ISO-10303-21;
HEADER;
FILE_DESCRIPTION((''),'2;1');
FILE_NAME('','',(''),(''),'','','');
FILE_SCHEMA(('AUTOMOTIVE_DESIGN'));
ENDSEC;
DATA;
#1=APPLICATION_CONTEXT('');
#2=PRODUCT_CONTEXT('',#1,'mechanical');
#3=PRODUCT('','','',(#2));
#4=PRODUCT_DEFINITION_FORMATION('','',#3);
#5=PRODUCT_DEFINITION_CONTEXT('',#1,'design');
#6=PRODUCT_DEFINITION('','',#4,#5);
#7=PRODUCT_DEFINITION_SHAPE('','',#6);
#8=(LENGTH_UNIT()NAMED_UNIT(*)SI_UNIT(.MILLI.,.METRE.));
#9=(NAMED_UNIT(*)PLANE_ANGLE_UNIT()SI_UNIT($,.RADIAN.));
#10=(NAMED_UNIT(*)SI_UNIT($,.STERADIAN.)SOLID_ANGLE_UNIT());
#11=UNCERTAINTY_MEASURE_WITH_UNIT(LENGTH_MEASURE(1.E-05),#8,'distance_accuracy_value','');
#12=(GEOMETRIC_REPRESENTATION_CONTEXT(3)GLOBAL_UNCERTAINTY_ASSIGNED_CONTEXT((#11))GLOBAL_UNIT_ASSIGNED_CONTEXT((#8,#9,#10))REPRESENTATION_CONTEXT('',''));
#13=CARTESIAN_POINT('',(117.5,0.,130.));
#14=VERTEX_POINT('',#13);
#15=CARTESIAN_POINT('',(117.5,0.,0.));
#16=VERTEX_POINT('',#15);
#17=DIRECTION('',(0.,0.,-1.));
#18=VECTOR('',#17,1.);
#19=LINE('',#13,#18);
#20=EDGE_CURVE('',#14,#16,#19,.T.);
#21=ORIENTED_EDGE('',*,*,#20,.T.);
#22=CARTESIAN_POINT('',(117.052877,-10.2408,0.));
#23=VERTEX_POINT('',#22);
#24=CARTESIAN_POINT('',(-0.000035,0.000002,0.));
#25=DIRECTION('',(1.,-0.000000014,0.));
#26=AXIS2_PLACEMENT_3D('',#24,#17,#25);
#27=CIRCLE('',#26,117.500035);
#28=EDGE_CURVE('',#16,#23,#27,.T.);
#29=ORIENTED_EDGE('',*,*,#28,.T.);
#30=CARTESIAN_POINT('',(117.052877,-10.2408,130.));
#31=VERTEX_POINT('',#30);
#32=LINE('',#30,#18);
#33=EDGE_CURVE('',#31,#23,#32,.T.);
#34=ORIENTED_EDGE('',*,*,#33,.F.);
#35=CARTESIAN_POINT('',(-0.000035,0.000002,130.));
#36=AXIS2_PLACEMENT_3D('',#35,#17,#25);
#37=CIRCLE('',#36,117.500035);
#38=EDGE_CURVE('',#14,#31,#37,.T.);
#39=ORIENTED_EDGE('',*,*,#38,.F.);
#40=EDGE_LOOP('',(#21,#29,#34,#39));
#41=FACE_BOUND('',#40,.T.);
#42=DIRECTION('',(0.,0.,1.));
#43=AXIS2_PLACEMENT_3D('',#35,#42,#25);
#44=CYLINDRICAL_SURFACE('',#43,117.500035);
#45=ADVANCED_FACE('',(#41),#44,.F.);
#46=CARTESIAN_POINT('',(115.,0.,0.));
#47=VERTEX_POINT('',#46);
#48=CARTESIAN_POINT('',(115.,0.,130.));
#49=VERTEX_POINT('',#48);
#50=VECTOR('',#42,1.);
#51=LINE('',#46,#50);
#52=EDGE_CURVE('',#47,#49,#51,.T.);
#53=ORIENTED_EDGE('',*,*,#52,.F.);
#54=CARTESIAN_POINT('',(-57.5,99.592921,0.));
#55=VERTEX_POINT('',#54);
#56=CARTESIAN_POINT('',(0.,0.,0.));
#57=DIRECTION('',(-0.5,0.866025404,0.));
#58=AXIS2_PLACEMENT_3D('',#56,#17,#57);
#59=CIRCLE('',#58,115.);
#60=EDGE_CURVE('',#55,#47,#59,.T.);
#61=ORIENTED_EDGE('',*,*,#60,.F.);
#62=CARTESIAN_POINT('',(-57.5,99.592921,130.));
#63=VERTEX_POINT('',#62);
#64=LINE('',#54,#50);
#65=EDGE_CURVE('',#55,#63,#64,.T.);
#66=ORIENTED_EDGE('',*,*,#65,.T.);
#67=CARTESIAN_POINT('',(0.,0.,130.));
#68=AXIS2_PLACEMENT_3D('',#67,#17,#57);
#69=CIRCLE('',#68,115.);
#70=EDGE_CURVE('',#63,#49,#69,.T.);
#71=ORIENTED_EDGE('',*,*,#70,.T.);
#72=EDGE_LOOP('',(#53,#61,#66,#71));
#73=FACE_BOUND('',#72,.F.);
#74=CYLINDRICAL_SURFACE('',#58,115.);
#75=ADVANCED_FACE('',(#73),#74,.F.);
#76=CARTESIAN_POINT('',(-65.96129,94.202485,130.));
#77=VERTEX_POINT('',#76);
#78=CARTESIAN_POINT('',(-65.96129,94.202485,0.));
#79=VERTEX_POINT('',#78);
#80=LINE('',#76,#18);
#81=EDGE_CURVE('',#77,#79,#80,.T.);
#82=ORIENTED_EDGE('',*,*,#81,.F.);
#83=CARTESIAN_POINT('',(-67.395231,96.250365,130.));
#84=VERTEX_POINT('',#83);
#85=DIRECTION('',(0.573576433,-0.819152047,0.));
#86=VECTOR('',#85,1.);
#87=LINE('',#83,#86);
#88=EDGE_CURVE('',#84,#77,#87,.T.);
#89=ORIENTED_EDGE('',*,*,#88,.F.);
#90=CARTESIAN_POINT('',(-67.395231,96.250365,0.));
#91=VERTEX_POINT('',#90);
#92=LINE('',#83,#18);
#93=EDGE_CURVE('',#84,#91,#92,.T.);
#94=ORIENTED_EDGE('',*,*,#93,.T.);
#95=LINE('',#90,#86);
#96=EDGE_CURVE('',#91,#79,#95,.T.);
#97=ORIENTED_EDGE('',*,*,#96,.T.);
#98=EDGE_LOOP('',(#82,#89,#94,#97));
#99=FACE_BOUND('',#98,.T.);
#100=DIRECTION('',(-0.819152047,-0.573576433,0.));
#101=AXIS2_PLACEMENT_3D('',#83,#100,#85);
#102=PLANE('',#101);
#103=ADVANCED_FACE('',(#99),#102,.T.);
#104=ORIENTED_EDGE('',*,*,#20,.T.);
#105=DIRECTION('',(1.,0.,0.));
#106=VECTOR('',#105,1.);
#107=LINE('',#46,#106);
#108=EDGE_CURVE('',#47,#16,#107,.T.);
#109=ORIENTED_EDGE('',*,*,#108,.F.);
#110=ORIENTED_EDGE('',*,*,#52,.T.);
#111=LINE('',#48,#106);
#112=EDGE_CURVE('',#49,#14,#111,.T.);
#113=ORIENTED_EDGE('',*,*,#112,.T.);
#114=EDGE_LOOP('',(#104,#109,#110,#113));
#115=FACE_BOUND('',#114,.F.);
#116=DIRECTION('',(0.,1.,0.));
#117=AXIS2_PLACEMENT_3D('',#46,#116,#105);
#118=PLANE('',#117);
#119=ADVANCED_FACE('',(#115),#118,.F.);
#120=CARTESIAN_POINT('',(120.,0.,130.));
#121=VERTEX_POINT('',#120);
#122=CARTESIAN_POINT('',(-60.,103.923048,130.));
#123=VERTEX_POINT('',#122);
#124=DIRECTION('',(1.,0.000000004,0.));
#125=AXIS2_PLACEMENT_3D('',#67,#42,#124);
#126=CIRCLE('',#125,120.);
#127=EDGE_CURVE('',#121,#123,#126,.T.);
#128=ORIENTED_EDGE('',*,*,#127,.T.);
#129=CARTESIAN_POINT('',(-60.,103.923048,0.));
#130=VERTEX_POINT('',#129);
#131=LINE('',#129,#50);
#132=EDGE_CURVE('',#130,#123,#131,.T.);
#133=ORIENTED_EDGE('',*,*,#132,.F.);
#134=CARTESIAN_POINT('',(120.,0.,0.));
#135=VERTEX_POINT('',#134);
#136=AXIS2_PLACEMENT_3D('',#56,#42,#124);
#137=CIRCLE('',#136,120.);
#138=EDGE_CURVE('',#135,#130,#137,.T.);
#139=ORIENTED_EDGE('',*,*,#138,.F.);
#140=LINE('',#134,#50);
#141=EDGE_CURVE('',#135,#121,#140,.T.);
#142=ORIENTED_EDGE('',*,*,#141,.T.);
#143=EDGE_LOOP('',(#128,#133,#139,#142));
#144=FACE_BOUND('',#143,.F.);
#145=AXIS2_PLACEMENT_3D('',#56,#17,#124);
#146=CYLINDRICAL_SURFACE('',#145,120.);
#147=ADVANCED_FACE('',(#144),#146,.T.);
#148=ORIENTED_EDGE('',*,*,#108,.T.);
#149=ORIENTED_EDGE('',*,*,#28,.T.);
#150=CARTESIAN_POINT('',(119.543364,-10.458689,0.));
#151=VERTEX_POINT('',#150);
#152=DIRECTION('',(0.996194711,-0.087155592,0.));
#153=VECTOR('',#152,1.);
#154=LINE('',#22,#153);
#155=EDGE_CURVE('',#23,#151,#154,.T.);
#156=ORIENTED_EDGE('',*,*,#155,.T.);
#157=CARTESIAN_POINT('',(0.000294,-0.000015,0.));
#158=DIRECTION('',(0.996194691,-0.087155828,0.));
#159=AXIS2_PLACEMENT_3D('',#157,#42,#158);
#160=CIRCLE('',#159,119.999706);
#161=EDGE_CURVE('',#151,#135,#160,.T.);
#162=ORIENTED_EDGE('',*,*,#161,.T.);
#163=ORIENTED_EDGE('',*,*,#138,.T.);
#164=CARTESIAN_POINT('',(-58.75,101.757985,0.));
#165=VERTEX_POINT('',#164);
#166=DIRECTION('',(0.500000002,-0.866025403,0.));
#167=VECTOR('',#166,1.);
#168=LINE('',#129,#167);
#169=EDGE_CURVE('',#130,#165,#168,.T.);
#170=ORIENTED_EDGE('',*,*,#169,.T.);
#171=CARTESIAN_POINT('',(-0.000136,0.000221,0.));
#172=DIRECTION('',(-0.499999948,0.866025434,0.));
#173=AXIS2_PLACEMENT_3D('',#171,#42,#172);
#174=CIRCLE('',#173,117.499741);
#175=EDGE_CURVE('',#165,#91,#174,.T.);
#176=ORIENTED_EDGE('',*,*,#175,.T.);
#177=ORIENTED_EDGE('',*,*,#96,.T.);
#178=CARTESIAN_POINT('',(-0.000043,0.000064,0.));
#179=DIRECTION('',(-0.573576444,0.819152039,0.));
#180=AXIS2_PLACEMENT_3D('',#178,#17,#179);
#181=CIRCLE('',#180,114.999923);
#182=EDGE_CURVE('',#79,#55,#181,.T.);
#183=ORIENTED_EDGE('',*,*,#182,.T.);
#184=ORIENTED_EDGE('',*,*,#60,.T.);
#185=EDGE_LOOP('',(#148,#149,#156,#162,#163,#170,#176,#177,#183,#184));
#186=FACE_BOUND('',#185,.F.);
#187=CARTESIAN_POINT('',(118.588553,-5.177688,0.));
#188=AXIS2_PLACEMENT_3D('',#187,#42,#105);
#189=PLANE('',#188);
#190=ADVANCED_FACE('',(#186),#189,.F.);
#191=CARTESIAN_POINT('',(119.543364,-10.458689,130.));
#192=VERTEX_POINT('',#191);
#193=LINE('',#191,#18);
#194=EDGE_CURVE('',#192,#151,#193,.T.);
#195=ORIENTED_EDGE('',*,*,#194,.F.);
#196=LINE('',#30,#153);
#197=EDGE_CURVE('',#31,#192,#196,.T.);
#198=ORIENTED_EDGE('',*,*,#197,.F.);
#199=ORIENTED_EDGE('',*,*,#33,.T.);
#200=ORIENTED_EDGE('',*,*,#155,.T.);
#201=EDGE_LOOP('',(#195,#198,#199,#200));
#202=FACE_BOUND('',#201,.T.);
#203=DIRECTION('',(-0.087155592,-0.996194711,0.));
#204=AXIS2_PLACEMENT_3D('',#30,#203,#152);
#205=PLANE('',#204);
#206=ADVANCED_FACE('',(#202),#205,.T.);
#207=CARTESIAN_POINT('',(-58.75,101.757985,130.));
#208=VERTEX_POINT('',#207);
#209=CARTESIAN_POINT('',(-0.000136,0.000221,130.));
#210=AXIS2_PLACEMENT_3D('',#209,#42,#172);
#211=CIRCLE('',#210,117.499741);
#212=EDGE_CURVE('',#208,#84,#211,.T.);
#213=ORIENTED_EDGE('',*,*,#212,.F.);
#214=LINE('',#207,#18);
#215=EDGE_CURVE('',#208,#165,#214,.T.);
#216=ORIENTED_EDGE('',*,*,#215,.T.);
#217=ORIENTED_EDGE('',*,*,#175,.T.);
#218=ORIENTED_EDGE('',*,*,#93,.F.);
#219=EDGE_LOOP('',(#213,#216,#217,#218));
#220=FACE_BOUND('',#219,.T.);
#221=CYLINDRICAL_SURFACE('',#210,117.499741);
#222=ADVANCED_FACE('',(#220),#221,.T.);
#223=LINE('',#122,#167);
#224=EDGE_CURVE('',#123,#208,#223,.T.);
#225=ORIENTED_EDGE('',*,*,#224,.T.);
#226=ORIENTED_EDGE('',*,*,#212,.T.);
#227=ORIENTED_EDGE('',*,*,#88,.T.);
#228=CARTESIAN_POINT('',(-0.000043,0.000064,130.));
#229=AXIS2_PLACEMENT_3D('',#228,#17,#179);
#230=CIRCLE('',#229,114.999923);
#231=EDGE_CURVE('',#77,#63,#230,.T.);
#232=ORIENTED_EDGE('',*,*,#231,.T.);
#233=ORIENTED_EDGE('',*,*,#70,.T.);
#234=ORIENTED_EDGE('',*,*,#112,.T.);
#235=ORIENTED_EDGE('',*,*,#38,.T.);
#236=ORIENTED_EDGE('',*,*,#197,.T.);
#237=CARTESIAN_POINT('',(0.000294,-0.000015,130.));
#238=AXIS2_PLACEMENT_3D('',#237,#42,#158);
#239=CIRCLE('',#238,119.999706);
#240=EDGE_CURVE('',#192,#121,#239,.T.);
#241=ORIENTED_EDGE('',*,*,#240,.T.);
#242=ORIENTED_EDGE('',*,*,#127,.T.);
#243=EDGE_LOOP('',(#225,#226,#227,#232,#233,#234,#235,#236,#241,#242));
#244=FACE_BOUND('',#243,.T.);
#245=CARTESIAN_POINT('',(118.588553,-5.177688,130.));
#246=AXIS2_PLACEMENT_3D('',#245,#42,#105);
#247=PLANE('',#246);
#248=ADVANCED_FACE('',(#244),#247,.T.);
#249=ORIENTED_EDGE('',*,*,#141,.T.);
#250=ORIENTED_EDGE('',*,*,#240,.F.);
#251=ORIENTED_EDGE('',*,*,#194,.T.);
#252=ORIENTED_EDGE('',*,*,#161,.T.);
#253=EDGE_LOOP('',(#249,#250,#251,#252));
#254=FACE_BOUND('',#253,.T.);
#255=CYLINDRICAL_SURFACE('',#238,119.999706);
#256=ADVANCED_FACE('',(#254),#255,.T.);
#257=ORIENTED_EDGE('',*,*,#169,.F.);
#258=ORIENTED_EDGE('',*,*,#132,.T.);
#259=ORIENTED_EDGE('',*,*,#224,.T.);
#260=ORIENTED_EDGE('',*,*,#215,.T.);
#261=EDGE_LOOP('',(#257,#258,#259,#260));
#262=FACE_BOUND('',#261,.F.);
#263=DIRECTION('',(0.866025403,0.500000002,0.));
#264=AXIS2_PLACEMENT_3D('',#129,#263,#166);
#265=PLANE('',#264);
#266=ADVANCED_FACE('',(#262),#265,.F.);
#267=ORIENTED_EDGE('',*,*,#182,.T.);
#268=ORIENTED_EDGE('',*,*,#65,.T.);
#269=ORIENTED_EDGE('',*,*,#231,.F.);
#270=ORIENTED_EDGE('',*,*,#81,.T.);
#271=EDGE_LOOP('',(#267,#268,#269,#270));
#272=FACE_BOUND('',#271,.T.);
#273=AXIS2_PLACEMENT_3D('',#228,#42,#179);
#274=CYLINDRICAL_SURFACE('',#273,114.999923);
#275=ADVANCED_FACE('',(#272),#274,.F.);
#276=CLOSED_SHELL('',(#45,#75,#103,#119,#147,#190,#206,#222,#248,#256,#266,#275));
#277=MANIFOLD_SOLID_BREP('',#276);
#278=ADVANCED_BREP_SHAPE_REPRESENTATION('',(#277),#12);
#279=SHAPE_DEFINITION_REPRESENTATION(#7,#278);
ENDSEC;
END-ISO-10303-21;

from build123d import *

# Parameters (mm, degrees)
F1_DEPTH = 130
F3_DEPTH = 130


with BuildPart() as f1:
    # F0 (on Top) → F1 (new body)
    with BuildSketch(Plane.XY):
        with BuildLine():
            ThreePointArc((-57.5, 99.592921), (57.5, 99.592921), (115, 0))
            Line((115, 0), (120, 0))
            ThreePointArc((120, 0), (60, 103.923048), (-60, 103.923048))
            Line((-60, 103.923048), (-57.5, 99.592921))
        make_face()
    extrude(amount=F1_DEPTH)

    # F2 (on face) → F3 (join)
    with BuildSketch(Plane.XY.offset(130)):
        with BuildLine():
            ThreePointArc((117.5, 0), (117.388166, -5.125278), (117.052877, -10.2408))
            Line((117.052877, -10.2408), (119.543364, -10.458689))
            ThreePointArc((119.543364, -10.458689), (119.885787, -5.234326), (120, 0))
            Line((120, 0), (117.5, 0))
        make_face()
        with BuildLine():
            ThreePointArc((-65.96129, 94.202485), (-61.789455, 96.990016), (-57.5, 99.592921))
            Line((-57.5, 99.592921), (-58.75, 101.757985))
            ThreePointArc((-58.75, 101.757985), (-63.132704, 99.098495), (-67.395231, 96.250365))
            Line((-67.395231, 96.250365), (-65.96129, 94.202485))
        make_face()
    extrude(amount=-F3_DEPTH)


solid = f1.part
